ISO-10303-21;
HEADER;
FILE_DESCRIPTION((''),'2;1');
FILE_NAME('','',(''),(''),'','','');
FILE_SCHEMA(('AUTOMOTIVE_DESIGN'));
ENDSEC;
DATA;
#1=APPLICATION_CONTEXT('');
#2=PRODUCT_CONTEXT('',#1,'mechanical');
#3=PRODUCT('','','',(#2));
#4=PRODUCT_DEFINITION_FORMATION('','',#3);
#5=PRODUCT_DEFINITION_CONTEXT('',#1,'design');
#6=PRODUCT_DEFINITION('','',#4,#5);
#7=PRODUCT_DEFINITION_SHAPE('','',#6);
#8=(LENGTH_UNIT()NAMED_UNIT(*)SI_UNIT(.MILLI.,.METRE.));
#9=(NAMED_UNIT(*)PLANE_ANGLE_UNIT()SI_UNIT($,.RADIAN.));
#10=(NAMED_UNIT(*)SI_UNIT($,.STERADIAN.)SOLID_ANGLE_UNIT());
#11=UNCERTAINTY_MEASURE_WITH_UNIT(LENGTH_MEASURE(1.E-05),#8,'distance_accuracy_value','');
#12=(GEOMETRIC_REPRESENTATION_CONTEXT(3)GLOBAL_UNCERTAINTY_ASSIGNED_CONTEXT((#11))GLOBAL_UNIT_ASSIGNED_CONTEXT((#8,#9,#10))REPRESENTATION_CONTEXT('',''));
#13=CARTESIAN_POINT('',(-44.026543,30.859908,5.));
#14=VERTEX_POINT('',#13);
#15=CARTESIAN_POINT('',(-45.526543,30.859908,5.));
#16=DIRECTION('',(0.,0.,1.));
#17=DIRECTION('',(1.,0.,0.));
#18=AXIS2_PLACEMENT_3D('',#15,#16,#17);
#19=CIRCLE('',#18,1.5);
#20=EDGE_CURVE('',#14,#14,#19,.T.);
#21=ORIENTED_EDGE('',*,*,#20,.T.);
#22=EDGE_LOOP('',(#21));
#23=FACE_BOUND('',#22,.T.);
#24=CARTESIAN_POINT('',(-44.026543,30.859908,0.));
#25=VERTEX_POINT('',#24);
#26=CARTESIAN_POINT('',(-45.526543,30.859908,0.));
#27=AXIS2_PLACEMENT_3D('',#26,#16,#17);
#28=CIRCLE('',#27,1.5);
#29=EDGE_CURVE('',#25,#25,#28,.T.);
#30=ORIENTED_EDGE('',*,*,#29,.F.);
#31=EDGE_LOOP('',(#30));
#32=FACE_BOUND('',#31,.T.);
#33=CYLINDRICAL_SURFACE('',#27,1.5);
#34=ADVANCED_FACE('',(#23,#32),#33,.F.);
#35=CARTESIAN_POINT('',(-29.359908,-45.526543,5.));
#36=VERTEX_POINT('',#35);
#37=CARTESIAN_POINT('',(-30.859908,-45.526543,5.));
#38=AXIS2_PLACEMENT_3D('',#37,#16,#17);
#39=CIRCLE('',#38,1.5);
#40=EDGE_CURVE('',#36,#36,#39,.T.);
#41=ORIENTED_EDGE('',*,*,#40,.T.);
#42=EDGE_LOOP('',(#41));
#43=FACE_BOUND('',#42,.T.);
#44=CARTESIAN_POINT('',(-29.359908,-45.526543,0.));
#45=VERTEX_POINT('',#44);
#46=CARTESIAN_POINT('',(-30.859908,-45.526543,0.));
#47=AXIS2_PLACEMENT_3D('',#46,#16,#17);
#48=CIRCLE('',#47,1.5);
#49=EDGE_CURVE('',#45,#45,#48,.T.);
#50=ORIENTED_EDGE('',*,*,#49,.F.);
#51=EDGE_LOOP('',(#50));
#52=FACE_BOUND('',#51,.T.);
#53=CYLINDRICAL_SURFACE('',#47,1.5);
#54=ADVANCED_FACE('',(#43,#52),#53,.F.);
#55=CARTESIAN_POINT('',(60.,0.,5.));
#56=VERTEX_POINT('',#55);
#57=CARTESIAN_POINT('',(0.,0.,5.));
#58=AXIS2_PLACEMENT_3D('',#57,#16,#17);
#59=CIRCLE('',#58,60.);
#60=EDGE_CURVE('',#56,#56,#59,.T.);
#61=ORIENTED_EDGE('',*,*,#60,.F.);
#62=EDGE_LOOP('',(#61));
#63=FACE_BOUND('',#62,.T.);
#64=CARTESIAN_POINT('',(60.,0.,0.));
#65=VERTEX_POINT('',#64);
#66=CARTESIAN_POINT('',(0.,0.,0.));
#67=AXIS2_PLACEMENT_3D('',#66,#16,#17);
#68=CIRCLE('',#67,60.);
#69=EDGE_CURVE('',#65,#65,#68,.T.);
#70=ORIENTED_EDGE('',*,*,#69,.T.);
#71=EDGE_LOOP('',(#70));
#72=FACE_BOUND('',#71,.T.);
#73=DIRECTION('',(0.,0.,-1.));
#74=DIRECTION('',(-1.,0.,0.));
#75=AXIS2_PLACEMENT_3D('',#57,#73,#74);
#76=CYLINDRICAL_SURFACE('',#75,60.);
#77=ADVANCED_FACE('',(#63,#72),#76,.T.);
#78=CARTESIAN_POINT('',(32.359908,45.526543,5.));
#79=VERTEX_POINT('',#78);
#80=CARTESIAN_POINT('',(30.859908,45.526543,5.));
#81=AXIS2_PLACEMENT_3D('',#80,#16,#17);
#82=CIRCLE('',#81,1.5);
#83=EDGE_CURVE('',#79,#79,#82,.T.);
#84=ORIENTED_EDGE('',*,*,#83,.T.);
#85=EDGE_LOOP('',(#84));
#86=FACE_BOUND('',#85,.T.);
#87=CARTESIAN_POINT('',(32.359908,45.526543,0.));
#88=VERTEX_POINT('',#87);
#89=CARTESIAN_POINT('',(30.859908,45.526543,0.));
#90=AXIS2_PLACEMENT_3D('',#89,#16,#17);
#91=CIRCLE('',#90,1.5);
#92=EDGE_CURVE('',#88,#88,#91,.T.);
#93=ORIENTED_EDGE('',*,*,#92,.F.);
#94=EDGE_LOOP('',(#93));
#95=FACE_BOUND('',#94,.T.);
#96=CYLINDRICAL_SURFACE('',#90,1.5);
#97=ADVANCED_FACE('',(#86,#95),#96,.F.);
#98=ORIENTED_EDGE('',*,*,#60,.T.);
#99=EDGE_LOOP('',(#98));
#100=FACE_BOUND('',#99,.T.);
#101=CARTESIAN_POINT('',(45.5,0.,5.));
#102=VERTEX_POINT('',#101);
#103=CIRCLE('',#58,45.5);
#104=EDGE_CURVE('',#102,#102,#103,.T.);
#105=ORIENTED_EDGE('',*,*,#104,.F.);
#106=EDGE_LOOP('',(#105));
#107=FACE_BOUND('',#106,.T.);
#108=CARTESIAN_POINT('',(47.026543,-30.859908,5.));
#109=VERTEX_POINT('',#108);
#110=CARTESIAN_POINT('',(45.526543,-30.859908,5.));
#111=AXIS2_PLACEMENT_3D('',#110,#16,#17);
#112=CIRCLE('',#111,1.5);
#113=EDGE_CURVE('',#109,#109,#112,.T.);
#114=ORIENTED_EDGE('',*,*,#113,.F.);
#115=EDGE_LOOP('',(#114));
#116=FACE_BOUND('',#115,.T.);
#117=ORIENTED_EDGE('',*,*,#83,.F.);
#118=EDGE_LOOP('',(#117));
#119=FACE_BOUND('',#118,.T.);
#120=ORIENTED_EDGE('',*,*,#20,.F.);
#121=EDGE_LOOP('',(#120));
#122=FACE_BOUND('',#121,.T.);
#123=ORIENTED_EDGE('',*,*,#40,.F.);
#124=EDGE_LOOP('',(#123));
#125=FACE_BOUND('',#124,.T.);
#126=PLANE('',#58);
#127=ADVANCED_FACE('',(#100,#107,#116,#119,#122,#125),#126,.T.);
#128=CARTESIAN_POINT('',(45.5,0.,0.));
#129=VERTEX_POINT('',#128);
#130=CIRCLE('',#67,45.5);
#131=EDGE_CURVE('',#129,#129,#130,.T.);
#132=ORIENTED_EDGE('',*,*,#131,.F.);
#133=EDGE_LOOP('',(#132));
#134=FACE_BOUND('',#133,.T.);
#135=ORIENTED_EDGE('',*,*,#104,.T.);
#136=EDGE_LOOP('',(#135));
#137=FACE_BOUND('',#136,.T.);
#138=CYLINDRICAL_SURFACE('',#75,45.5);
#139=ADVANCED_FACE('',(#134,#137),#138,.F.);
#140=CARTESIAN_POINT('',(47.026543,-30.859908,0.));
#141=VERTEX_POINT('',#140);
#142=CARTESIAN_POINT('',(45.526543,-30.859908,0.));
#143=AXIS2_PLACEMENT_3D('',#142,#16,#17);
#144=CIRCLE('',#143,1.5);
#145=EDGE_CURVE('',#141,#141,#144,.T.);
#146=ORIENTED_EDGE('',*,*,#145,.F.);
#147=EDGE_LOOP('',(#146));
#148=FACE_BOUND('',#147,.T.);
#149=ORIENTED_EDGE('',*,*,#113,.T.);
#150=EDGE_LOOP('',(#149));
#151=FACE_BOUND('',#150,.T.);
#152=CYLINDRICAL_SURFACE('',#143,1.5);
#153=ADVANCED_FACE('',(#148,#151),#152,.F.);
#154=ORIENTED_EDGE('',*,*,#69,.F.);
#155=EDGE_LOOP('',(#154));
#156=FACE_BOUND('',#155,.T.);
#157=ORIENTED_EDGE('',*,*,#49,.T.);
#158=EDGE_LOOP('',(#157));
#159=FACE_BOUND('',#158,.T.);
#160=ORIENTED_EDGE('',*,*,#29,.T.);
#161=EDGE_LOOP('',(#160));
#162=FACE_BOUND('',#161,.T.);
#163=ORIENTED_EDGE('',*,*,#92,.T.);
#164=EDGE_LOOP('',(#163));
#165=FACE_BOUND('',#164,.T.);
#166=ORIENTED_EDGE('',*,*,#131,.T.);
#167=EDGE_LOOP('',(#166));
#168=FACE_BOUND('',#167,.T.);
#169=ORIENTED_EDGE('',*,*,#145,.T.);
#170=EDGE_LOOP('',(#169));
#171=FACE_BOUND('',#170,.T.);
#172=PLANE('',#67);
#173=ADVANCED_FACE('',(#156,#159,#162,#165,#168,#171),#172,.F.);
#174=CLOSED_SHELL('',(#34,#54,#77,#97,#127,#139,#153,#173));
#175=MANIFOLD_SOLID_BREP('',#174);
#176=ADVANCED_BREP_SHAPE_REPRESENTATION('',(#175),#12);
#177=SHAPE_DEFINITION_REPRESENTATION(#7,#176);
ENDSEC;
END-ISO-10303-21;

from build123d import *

# Parameters (mm, degrees)
SKETCH_1_R          = 60
SKETCH_1_R_2        = 45.5
EXTRUDE_1_DEPTH     = 5
SKETCH_2_R          = 1.5
CUT_EXTRUDE_1_DEPTH = 5


with BuildPart() as part:
    # 草图1 → 凸台-拉伸1 (new body)
    with BuildSketch(Plane.XY):
        Circle(SKETCH_1_R)
        Circle(SKETCH_1_R_2, mode=Mode.SUBTRACT)
    extrude(amount=EXTRUDE_1_DEPTH)

    # 草图2 → 切除-拉伸1 (cut)
    with BuildSketch(Plane.XY.offset(5)):
        with Locations((-30.859907929, -45.526542616)):
            Circle(SKETCH_2_R)
        with Locations((-45.526542616, 30.859907929)):
            Circle(SKETCH_2_R)
        with Locations((30.859907929, 45.526542616)):
            Circle(SKETCH_2_R)
        with Locations((45.526542616, -30.859907929)):
            Circle(SKETCH_2_R)
    extrude(amount=-CUT_EXTRUDE_1_DEPTH, mode=Mode.SUBTRACT)


solid = part.part
